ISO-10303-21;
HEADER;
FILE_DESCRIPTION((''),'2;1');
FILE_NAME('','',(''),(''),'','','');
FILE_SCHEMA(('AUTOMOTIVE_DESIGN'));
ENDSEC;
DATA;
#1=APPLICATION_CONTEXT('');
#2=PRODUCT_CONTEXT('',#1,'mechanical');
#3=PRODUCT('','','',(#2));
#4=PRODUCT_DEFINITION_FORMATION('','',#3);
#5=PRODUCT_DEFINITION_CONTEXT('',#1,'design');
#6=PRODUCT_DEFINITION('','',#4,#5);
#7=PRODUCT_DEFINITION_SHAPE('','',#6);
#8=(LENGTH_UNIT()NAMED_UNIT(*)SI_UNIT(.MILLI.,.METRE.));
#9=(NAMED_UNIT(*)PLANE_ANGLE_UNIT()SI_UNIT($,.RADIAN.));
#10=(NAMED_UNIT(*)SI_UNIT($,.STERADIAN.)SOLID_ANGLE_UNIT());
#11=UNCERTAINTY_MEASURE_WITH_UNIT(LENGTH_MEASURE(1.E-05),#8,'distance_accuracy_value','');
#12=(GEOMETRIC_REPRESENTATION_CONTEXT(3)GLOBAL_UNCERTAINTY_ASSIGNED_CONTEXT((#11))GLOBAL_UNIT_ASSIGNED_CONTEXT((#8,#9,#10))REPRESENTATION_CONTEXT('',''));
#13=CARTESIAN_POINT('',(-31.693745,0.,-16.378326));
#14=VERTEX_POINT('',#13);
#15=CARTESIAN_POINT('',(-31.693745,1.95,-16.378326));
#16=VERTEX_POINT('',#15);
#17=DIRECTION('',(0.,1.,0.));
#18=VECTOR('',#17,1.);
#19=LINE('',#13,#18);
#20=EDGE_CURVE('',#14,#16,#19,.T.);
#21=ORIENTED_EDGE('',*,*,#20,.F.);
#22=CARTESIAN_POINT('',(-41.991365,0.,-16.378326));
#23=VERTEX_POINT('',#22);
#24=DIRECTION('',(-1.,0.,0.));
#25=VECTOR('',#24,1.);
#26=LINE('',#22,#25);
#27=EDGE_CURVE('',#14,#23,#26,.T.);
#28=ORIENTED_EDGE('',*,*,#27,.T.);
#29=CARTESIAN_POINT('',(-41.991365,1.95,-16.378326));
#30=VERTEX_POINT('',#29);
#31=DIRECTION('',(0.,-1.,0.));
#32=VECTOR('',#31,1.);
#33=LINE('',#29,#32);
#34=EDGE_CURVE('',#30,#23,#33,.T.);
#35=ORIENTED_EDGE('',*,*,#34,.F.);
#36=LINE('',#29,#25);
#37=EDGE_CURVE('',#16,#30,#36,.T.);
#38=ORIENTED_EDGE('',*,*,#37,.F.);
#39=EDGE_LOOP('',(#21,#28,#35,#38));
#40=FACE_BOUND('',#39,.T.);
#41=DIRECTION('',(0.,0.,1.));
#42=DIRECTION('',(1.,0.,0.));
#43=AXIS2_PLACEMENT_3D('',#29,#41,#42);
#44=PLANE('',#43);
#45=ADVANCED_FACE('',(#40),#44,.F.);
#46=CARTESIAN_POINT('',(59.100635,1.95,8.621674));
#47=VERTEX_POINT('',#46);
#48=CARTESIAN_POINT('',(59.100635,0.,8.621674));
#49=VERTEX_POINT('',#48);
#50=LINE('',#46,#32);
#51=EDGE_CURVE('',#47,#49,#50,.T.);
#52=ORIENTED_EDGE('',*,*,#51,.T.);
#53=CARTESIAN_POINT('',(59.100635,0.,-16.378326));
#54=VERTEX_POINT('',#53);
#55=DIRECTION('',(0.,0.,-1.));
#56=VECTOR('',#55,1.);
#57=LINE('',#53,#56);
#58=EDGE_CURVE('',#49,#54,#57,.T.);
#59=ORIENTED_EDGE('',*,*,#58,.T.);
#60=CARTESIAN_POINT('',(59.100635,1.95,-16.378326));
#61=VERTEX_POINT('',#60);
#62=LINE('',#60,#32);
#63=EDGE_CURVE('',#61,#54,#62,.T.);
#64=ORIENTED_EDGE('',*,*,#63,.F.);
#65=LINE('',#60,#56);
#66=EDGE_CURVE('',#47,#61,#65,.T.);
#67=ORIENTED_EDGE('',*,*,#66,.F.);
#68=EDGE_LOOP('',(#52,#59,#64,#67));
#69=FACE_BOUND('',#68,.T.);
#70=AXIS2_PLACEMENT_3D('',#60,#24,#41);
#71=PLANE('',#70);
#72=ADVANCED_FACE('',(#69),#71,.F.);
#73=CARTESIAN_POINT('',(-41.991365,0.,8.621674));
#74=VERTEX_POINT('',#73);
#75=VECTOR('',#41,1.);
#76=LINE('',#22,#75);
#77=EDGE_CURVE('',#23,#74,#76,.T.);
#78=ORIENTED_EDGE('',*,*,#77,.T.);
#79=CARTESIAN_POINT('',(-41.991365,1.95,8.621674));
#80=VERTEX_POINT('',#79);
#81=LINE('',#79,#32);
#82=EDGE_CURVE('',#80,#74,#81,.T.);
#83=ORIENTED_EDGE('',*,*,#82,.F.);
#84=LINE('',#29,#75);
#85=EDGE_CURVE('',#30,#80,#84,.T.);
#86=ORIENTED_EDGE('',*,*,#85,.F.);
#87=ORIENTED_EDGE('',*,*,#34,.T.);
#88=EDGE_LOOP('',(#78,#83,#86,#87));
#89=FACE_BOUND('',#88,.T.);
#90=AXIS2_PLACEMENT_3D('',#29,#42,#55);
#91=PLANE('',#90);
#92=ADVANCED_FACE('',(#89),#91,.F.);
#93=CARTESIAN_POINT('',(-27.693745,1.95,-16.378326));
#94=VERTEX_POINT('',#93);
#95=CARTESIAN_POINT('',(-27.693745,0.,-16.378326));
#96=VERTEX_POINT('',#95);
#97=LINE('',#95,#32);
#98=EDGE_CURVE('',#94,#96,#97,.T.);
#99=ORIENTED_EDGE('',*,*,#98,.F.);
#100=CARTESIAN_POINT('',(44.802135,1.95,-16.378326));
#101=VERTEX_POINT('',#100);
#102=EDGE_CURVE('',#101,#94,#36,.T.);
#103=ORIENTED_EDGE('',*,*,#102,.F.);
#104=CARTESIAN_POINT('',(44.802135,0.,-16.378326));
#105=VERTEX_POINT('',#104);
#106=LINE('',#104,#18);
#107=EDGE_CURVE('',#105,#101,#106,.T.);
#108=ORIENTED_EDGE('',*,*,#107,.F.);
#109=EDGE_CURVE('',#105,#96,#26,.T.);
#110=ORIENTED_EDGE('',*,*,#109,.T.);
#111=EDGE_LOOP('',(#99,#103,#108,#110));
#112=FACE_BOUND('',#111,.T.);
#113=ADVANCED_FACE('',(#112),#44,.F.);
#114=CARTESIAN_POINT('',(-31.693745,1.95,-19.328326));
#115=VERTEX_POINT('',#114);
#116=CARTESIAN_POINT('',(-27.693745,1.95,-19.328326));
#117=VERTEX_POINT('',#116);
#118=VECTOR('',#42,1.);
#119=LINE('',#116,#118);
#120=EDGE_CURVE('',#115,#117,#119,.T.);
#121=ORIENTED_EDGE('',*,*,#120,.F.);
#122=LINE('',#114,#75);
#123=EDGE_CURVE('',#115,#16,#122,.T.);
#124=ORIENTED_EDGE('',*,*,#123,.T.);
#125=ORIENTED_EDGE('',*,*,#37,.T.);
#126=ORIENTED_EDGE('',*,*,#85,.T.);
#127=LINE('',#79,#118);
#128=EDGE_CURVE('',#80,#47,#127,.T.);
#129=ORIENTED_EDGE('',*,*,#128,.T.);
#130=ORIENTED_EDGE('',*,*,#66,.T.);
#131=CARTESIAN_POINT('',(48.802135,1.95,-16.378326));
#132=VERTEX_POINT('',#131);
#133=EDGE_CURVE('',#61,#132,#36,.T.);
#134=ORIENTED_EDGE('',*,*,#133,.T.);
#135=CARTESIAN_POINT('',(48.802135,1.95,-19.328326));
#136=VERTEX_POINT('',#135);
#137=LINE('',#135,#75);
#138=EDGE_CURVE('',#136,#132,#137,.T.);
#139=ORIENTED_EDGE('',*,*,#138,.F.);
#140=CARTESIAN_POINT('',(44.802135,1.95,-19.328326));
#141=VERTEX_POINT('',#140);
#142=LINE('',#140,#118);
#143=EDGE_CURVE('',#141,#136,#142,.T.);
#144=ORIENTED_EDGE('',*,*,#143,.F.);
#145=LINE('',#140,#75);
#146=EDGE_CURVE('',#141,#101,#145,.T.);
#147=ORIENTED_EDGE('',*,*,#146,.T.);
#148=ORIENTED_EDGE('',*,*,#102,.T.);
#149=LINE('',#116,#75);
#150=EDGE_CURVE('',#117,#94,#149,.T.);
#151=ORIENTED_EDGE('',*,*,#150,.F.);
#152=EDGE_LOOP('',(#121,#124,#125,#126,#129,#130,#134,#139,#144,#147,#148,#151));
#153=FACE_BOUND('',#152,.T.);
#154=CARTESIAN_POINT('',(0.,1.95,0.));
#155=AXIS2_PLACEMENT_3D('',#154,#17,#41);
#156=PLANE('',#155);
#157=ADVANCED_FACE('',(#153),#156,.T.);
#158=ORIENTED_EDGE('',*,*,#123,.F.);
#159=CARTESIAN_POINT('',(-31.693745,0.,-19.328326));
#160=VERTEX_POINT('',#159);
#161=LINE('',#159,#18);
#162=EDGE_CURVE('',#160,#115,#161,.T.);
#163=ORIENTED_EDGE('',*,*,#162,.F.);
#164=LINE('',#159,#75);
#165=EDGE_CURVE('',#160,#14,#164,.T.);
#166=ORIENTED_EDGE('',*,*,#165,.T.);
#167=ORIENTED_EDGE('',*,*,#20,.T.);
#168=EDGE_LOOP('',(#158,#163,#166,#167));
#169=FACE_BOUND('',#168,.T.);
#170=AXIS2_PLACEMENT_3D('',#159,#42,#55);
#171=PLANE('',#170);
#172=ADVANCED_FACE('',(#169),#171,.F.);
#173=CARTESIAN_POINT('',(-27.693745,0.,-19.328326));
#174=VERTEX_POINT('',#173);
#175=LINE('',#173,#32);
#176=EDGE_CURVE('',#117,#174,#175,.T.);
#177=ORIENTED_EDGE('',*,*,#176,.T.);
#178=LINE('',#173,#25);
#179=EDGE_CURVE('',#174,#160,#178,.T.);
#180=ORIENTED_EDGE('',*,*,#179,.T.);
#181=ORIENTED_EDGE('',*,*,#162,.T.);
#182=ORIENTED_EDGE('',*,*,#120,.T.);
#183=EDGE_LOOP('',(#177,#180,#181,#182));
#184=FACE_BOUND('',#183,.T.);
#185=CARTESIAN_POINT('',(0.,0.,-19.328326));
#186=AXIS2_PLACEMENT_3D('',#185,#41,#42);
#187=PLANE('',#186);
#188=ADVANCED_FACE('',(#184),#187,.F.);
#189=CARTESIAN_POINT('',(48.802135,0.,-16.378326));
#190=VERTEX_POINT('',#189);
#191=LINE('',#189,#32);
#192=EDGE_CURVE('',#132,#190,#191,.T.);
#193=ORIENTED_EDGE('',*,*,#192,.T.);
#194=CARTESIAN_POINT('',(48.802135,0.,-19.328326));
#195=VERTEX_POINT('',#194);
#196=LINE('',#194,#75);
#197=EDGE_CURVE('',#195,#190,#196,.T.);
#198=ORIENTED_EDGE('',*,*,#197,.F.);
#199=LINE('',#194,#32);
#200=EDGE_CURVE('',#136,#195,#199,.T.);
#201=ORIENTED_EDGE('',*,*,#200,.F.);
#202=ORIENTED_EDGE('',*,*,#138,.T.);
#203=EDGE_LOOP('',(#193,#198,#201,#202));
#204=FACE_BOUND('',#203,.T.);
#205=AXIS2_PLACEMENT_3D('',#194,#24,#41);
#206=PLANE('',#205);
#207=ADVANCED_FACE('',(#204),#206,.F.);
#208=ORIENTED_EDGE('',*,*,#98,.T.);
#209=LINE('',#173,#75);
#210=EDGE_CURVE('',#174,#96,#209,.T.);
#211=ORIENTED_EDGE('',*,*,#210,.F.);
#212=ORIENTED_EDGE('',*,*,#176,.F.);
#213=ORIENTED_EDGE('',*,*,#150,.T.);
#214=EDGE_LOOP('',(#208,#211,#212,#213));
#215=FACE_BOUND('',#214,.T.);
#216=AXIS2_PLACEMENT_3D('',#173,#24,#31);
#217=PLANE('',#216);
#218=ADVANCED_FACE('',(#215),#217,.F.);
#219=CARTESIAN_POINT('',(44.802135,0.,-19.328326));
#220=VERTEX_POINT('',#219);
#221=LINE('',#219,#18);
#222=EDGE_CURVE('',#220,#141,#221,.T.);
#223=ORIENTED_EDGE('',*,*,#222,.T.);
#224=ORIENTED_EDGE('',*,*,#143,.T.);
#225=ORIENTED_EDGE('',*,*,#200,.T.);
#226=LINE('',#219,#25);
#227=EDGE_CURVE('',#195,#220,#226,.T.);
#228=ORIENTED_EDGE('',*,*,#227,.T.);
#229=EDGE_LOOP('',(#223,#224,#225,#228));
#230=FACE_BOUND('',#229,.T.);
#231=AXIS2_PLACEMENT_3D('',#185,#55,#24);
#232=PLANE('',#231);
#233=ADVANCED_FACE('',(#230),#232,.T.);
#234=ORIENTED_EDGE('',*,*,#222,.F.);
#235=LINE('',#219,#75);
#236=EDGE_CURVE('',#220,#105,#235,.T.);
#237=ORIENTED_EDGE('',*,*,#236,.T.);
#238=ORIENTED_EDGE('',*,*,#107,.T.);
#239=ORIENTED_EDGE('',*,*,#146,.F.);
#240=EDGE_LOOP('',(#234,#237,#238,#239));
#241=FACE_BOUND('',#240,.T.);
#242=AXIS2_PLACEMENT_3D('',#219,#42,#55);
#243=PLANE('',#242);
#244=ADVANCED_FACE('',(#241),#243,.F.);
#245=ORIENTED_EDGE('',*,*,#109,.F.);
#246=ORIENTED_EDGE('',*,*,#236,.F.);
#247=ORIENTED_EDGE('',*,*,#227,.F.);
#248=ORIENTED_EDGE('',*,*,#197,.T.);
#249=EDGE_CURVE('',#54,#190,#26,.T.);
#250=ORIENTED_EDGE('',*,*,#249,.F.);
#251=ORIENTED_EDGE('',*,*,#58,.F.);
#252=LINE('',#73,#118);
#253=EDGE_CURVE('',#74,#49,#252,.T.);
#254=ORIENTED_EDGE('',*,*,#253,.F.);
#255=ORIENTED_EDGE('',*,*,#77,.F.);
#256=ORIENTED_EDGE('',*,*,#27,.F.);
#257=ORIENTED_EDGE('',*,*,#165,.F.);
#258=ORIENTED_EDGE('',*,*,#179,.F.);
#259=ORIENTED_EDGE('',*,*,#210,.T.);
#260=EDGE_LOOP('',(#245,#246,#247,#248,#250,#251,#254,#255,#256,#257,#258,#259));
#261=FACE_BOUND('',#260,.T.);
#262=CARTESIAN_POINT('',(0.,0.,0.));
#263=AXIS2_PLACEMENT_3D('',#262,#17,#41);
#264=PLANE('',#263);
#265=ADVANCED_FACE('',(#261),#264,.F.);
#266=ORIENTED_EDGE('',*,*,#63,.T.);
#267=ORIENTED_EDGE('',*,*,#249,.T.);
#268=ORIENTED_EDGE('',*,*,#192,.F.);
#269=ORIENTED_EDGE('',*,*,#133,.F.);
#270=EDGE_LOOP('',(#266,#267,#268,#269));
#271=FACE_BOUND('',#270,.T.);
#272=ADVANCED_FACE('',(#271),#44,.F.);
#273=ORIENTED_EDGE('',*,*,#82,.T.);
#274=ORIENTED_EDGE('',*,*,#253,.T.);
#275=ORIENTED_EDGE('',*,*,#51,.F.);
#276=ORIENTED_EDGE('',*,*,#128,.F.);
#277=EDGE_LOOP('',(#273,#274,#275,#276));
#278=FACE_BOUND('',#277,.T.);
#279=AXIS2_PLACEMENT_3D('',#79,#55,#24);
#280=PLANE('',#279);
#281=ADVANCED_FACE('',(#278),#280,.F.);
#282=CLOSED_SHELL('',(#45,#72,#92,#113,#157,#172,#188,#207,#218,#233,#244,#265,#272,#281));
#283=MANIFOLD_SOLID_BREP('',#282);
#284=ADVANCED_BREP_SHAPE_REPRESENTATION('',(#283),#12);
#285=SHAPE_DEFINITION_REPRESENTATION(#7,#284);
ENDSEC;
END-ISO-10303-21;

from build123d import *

# Parameters (mm, degrees)
SKETCH1_W           = 101.092
SKETCH1_H           = 25
BOSS_EXTRUDE1_DEPTH = 1.95
SKETCH2_W           = 4
SKETCH2_H           = 1.95
BOSS_EXTRUDE2_DEPTH = 2.95


with BuildPart() as part:
    # Sketch1 → Boss-Extrude1 (new body)
    with BuildSketch(Plane(origin=(0, 0, 0), x_dir=(1, 0, 0), z_dir=(0, 1, 0))):
        with Locations((8.554634564, 3.878326048)):
            Rectangle(SKETCH1_W, SKETCH1_H)
    extrude(amount=BOSS_EXTRUDE1_DEPTH)

    # Sketch2 → Boss-Extrude2 (add)
    with BuildSketch(Plane(origin=(0, 0, -16.378326048), x_dir=(-1, 0, 0), z_dir=(0, 0, -1))):
        with Locations((29.69374482, 0.975)):
            Rectangle(SKETCH2_W, SKETCH2_H)
        with Locations((-46.802134564, 0.975)):
            Rectangle(SKETCH2_W, SKETCH2_H)
    extrude(amount=BOSS_EXTRUDE2_DEPTH)


solid = part.part
